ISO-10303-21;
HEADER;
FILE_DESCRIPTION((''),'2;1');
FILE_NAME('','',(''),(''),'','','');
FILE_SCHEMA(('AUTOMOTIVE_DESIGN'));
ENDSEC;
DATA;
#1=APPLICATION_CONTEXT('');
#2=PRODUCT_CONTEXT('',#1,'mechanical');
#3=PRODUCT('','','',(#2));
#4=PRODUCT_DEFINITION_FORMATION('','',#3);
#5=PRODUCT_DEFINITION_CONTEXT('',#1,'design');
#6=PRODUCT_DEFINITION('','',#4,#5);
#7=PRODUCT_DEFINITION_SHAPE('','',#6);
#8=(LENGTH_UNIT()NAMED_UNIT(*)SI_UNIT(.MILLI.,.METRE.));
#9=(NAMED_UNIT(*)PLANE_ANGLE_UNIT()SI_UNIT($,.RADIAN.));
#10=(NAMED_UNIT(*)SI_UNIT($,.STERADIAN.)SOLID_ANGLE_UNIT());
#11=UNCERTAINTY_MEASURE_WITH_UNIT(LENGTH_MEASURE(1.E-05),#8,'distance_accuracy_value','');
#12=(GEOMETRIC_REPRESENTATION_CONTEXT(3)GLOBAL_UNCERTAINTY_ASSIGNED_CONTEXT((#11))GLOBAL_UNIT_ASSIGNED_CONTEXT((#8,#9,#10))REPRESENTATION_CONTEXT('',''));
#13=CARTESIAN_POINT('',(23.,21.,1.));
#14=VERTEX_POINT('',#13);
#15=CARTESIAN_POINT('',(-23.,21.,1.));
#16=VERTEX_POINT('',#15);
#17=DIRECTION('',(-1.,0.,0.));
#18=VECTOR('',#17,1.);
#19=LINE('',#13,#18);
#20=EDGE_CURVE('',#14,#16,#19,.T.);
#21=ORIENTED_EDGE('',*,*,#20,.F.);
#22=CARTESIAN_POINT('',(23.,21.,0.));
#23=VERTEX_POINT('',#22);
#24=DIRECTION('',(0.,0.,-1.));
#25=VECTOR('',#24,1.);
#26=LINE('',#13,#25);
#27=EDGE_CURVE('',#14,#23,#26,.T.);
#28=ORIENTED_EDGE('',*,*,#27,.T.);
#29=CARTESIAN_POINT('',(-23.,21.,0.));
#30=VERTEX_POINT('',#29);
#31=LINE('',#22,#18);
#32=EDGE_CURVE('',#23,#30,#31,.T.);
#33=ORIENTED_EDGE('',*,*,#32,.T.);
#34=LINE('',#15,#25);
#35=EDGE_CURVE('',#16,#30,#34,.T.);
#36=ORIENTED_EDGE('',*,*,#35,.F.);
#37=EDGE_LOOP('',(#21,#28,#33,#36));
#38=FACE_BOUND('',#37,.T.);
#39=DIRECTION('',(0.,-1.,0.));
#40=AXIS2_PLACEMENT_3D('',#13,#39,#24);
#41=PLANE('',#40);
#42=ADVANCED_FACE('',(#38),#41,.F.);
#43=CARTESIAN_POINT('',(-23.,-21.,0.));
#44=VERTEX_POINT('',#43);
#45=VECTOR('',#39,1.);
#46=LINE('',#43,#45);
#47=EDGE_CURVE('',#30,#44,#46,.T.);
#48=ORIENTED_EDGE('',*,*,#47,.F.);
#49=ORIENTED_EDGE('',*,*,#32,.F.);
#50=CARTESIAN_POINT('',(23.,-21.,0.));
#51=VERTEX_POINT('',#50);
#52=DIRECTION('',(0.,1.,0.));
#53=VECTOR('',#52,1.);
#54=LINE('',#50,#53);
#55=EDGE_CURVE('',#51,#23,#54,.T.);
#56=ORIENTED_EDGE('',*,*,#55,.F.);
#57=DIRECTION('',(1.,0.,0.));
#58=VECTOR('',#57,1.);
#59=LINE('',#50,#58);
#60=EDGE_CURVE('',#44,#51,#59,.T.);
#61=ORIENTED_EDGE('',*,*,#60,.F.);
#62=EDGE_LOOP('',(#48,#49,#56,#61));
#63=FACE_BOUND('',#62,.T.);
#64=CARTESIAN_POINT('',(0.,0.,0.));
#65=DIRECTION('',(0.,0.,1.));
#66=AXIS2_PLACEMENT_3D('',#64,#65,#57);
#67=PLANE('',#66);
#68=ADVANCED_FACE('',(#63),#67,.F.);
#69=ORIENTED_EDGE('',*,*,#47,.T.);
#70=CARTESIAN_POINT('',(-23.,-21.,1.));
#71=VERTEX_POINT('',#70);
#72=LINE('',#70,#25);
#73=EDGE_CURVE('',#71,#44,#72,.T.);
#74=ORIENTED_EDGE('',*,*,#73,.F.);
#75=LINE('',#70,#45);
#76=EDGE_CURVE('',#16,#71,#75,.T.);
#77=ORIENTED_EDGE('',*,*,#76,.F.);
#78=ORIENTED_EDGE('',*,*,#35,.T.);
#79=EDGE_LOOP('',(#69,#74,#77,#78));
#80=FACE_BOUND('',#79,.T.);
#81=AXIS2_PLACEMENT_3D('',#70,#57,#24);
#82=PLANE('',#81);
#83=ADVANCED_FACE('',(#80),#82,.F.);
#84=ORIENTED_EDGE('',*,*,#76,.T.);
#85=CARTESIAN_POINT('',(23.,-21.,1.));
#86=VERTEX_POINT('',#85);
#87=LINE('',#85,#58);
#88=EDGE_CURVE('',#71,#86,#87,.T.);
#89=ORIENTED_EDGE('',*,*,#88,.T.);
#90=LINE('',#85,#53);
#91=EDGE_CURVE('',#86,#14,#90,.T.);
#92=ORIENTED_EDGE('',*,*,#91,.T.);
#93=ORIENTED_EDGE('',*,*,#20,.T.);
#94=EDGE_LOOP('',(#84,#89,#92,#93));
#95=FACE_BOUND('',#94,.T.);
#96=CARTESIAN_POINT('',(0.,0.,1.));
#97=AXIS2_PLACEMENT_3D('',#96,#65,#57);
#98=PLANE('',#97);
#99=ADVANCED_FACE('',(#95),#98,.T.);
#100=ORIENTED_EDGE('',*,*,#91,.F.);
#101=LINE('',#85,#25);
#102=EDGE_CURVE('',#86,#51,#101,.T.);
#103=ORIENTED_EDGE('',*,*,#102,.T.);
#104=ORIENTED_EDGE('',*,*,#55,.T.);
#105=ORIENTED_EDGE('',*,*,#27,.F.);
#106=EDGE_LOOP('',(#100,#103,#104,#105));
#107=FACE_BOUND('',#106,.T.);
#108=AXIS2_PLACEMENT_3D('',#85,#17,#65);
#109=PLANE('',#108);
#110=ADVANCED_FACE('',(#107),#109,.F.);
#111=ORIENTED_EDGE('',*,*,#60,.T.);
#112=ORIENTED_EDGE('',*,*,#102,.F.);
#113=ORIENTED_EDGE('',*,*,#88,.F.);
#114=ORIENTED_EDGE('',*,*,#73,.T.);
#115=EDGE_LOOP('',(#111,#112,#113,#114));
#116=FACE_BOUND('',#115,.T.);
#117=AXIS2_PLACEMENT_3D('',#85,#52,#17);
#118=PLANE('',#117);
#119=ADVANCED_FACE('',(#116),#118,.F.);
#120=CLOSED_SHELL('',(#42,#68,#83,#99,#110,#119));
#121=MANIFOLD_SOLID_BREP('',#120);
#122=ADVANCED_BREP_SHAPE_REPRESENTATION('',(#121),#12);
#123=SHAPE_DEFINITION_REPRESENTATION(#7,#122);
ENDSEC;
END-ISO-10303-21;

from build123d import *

# Parameters (mm, degrees)
ESQUISSE1_W        = 46
ESQUISSE1_H        = 42
BOSS_EXTRU_1_DEPTH = 1


with BuildPart() as part:
    # Esquisse1 → Boss.-Extru.1 (new body)
    with BuildSketch(Plane.XY):
        Rectangle(ESQUISSE1_W, ESQUISSE1_H)
    extrude(amount=BOSS_EXTRU_1_DEPTH)


solid = part.part
